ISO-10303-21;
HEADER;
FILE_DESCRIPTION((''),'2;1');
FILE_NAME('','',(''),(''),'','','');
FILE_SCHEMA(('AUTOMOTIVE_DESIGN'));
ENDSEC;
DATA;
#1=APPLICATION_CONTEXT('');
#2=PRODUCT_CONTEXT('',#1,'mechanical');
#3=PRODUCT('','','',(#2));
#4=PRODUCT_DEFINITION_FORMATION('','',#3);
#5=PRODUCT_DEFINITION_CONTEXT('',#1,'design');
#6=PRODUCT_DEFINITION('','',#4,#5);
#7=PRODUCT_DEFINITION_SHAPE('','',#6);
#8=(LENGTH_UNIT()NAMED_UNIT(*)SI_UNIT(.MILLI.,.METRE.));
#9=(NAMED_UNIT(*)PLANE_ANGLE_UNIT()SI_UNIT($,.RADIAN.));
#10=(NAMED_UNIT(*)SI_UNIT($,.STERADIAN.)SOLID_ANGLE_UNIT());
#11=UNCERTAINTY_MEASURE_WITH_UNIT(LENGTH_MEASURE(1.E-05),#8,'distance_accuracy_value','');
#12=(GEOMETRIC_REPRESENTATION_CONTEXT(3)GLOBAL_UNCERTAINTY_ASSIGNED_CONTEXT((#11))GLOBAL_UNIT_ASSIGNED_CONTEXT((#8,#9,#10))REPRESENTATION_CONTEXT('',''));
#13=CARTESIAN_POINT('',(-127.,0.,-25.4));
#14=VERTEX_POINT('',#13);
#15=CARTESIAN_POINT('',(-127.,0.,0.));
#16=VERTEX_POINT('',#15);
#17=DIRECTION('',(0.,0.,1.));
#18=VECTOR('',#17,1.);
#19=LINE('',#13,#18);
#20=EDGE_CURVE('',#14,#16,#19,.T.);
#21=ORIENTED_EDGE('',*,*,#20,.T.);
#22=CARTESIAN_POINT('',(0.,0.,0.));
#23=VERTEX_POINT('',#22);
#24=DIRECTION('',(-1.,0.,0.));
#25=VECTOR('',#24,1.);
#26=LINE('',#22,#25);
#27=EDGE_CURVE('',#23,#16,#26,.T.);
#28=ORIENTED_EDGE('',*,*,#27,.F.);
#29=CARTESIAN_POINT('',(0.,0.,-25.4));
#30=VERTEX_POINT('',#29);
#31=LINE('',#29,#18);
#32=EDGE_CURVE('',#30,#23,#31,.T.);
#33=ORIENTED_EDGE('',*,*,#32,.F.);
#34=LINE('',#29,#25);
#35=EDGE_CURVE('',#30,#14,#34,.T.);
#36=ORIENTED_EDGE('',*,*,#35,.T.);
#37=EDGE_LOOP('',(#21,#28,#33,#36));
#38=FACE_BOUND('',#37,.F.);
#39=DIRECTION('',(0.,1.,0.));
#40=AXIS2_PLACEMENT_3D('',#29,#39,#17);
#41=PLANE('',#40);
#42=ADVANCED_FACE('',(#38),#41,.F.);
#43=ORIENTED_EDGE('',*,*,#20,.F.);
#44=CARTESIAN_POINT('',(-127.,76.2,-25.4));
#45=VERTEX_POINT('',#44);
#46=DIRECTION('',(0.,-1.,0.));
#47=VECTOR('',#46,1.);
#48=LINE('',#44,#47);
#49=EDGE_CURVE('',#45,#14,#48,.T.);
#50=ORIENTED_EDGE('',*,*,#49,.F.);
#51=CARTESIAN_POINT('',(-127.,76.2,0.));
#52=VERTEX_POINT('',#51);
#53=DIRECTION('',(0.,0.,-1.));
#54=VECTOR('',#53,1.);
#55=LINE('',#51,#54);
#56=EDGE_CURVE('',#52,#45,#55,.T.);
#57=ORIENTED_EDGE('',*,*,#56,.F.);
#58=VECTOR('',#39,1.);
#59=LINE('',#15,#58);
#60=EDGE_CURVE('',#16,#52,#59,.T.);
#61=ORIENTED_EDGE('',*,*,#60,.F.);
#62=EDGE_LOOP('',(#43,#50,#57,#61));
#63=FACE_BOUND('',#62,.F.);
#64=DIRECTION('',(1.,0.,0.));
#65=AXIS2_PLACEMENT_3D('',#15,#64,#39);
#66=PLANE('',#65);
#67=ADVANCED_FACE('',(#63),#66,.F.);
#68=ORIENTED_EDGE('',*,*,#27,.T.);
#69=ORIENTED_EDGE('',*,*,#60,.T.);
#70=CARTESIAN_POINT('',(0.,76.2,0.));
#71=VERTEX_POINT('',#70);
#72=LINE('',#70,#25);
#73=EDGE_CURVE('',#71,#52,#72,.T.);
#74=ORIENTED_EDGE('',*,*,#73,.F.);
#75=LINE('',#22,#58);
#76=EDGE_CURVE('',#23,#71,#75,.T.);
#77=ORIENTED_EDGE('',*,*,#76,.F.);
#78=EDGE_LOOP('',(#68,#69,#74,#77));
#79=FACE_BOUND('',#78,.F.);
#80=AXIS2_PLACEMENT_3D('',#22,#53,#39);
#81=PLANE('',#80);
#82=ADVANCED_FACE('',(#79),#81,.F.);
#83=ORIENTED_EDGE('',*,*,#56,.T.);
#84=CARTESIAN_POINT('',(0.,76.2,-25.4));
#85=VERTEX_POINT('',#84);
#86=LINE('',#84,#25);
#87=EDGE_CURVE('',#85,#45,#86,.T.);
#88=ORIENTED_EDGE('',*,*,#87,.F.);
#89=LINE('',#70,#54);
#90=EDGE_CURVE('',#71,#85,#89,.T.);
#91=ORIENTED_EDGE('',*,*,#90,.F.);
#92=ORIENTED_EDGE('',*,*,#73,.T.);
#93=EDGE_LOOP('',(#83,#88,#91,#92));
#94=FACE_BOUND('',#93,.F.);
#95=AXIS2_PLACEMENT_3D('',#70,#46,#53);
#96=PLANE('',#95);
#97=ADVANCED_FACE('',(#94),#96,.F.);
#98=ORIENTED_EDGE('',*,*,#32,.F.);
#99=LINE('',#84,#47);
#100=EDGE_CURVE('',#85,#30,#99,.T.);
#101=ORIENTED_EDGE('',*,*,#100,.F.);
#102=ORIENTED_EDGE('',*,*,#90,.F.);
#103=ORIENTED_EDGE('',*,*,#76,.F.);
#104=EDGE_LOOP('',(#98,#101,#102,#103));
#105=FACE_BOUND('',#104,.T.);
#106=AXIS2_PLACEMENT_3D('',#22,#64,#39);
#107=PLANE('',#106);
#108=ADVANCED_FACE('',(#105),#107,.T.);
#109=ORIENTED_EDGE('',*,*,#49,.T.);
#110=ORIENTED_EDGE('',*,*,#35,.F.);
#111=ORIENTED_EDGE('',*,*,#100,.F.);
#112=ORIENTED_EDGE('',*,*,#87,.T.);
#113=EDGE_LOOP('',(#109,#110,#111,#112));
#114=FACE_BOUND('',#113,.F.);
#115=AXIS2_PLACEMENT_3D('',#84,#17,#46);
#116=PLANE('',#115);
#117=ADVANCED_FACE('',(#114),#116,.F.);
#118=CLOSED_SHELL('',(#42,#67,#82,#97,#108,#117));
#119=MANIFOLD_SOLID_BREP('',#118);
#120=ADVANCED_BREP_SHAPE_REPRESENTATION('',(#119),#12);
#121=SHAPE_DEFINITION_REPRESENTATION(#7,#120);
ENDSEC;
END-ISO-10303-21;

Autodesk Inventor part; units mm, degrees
ref_plane "YZ Plane" through (0, 0, 0) normal (1, 0, 0) x (0, 1, 0)
ref_plane "XZ Plane" through (0, 0, 0) normal (0, 1, 0) x (-1, 0, 0)
ref_plane "XY Plane" through (0, 0, 0) normal (0, 0, 1) x (1, 0, 0)
sketch "Sketch1" plane through (0, 0, 0) normal (1, 0, 0) x (0, 1, 0)
  line L0 (0, 0) -> (76.2, 0)
  line L1 (76.2, 0) -> (76.2, -25.4)
  line L2 (76.2, -25.4) -> (0, -25.4)
  line L3 (0, -25.4) -> (0, 0)
  dimension "d0" = 25.4
  dimension "d1" = 76.2
extrude "Extrusion1" add sketch "Sketch1" against normal blind 127
properties part number "Outrigger"
